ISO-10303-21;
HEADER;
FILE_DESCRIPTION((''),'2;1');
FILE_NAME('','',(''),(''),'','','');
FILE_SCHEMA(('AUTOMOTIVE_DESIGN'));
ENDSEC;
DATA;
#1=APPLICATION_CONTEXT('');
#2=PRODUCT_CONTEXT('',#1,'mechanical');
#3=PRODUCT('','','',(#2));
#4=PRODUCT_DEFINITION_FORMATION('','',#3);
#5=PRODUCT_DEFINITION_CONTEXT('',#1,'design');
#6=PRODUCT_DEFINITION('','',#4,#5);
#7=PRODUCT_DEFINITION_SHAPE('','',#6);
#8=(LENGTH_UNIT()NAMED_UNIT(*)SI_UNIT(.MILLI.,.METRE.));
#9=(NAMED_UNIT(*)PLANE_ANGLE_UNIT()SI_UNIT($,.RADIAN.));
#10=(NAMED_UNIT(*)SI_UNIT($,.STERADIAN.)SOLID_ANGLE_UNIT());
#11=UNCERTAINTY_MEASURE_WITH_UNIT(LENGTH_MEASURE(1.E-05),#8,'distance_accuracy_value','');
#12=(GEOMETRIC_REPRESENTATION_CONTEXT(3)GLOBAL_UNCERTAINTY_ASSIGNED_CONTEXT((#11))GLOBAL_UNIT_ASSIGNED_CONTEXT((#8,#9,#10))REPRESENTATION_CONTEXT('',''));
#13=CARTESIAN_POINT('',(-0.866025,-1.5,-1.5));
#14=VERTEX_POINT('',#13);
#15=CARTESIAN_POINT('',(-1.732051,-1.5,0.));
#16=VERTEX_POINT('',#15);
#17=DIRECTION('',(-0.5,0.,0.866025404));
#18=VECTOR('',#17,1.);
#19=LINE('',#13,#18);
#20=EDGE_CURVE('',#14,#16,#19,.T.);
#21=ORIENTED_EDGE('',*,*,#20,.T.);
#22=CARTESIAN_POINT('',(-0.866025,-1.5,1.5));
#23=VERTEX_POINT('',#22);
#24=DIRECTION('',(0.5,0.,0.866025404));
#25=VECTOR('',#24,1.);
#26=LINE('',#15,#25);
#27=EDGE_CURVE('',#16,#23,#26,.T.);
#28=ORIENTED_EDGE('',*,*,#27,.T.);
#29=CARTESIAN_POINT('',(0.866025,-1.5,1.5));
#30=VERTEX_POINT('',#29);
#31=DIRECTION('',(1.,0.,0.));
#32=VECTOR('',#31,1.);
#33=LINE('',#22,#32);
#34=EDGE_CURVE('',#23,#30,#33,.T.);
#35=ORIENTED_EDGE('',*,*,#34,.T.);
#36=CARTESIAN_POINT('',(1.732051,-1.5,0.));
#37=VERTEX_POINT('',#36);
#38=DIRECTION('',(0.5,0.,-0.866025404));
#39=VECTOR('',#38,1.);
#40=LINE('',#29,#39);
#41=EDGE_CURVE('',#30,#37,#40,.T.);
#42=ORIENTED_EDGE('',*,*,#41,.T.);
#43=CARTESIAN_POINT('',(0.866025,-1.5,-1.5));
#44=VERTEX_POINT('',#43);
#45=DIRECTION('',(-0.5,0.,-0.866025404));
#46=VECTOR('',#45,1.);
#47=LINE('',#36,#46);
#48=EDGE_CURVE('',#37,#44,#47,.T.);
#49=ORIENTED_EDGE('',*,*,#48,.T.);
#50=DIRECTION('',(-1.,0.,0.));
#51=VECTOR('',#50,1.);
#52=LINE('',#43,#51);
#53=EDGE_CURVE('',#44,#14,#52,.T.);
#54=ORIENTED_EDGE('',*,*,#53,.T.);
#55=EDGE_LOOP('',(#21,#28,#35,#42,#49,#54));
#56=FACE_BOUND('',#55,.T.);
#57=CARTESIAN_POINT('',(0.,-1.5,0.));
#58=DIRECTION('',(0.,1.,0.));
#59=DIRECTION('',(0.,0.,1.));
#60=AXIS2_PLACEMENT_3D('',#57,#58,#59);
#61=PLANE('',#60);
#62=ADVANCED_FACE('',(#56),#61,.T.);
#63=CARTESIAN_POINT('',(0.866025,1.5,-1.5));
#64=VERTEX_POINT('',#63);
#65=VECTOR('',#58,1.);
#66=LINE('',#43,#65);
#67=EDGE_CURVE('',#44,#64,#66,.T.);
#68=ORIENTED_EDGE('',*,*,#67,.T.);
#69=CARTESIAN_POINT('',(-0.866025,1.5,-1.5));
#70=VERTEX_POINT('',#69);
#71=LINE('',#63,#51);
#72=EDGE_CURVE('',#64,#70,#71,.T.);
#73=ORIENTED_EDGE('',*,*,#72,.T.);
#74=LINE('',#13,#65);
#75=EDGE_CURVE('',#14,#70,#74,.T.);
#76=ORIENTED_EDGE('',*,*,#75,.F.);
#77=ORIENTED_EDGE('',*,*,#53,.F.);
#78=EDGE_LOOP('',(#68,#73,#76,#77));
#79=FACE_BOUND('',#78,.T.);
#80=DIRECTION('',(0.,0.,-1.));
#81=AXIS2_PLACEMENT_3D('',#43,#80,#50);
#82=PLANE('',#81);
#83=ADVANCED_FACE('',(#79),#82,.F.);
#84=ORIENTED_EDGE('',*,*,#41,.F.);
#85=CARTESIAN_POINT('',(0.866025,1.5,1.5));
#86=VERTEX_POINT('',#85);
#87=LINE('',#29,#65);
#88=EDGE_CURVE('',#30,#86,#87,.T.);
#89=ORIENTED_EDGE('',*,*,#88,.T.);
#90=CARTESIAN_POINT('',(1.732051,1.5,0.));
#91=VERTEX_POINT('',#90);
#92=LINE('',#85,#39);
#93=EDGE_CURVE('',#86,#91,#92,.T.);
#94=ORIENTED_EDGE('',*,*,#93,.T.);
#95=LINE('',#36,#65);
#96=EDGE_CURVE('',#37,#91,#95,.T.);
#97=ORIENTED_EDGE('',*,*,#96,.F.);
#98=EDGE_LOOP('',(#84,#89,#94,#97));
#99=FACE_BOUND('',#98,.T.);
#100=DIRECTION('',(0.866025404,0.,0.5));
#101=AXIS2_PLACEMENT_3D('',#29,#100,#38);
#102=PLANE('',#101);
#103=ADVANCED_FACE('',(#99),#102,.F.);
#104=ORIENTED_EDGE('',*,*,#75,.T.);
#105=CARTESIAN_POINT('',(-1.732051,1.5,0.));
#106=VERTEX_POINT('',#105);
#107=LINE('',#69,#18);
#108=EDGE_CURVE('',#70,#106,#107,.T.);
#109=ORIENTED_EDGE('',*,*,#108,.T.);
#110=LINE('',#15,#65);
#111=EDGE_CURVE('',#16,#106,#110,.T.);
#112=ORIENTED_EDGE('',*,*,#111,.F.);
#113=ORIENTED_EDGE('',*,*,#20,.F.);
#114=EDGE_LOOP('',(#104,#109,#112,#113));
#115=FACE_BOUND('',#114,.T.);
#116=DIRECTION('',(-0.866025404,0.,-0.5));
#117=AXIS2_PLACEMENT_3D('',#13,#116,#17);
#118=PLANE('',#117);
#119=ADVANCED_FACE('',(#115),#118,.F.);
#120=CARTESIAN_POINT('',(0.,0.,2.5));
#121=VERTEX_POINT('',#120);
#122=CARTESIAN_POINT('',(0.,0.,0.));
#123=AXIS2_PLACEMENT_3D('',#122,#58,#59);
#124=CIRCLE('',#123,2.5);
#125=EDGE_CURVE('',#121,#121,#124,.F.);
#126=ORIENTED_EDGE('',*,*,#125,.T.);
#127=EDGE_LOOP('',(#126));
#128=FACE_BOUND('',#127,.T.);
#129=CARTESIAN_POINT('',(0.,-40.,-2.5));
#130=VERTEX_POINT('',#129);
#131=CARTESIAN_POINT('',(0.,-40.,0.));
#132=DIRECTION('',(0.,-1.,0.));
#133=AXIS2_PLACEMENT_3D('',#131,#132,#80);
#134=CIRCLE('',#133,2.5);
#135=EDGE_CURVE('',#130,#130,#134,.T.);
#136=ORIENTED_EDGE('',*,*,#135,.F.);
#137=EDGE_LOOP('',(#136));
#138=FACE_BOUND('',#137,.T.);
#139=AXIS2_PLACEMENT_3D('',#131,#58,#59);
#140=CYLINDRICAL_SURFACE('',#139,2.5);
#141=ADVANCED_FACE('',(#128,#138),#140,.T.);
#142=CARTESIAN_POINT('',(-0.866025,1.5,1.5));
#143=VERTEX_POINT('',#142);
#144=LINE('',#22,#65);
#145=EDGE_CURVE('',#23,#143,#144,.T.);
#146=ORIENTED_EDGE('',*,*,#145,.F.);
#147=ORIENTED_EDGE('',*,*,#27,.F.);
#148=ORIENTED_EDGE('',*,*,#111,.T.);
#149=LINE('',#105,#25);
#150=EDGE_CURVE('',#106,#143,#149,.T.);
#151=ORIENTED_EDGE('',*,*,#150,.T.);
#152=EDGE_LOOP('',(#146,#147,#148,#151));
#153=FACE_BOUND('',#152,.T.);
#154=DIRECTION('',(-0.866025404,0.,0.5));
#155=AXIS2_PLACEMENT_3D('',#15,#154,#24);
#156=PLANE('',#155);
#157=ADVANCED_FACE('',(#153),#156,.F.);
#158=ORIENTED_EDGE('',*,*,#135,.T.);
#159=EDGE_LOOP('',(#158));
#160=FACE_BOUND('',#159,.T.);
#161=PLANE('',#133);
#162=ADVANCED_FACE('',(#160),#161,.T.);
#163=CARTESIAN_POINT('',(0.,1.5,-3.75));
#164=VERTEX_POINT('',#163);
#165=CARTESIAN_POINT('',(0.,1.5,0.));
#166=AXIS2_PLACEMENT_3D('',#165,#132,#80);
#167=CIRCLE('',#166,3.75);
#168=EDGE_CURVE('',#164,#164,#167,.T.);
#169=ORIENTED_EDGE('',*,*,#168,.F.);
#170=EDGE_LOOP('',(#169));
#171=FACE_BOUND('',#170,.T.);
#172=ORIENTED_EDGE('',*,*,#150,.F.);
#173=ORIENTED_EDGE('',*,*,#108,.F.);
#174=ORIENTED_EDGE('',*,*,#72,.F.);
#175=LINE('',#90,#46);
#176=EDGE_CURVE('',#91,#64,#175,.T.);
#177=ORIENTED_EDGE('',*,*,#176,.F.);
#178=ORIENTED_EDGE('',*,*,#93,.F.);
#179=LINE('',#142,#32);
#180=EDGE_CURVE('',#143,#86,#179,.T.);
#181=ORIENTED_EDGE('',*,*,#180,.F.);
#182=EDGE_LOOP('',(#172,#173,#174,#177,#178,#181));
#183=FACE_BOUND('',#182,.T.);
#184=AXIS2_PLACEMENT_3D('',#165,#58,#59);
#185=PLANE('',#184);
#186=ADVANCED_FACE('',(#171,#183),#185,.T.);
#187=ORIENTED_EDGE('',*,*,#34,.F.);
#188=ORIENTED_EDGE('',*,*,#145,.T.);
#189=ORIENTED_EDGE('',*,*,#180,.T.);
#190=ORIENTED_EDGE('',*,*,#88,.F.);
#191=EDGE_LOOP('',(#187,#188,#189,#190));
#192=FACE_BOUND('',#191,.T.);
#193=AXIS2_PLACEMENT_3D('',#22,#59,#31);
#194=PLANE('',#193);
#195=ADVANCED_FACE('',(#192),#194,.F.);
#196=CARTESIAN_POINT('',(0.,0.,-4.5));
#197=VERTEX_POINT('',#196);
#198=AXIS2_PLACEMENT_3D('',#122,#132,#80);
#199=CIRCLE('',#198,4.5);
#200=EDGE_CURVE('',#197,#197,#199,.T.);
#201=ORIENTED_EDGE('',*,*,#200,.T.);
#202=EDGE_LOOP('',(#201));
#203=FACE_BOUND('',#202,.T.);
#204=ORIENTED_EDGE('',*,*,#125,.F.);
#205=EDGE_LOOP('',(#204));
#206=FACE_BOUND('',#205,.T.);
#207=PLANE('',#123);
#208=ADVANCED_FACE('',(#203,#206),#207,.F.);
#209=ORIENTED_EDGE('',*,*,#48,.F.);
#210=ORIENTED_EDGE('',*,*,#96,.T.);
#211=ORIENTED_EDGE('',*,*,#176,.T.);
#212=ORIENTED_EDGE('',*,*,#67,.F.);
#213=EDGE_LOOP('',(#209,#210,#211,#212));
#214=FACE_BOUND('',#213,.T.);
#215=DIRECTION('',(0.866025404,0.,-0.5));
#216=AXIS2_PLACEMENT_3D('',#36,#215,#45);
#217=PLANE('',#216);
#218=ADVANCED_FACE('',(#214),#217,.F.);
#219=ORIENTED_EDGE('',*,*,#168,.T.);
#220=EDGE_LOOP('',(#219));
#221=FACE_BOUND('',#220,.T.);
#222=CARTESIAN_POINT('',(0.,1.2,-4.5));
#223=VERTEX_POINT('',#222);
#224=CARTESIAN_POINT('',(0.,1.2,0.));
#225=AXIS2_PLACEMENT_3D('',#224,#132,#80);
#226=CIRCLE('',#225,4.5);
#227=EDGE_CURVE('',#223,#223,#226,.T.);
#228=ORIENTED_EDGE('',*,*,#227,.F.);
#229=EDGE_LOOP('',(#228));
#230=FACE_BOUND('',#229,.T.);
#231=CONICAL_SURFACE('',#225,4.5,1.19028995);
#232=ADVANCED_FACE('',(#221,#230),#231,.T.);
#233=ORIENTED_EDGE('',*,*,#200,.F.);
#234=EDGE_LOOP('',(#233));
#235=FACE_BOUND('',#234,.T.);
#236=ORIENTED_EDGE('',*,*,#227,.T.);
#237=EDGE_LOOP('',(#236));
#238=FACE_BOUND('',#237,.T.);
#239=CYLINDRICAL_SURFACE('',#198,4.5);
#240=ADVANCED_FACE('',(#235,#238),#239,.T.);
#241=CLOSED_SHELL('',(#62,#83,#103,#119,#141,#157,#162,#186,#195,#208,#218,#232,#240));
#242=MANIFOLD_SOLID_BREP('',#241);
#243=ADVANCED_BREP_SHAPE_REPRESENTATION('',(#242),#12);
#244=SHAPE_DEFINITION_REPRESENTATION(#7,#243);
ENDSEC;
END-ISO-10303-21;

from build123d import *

# Parameters (mm, degrees)
SKETCH3_R           = 2.5
BOSS_EXTRUDE1_DEPTH = 40
CUT_EXTRUDE2_DEPTH  = 3


with BuildPart() as part:
    # Sketch1 → Revolve1 (revolve)
    with BuildSketch(Plane.XY, mode=Mode.PRIVATE) as revolve1_sk:
        Polygon((-2.5, 0), (0, 0), (0, 1.5), (-3.75, 1.5), (-4.5, 1.2), (-4.5, 0), align=None)
    revolve(revolve1_sk.sketch.rotate(Axis((0, 0, 0), (0, 1, 0)), 270), axis=Axis((0, 0, 0), (0, 1, 0)))

    # Sketch3 → Boss-Extrude1 (add)
    with BuildSketch(Plane.XZ):
        with Locations(Location((0, 0, 0), (0, 0, 90))):
            Circle(SKETCH3_R)
    extrude(amount=BOSS_EXTRUDE1_DEPTH)

    # Sketch2 → Cut-Extrude2 (cut)
    with BuildSketch(Plane(origin=(0, 1.5, 0), x_dir=(1, 0, 0), z_dir=(0, 1, 0))):
        Polygon((1.732050808, 0), (0.866025404, 1.5), (-0.866025404, 1.5), (-1.732050808, 0), (-0.866025404, -1.5), (0.866025404, -1.5), align=None)
    extrude(amount=-CUT_EXTRUDE2_DEPTH, mode=Mode.SUBTRACT)


solid = part.part
